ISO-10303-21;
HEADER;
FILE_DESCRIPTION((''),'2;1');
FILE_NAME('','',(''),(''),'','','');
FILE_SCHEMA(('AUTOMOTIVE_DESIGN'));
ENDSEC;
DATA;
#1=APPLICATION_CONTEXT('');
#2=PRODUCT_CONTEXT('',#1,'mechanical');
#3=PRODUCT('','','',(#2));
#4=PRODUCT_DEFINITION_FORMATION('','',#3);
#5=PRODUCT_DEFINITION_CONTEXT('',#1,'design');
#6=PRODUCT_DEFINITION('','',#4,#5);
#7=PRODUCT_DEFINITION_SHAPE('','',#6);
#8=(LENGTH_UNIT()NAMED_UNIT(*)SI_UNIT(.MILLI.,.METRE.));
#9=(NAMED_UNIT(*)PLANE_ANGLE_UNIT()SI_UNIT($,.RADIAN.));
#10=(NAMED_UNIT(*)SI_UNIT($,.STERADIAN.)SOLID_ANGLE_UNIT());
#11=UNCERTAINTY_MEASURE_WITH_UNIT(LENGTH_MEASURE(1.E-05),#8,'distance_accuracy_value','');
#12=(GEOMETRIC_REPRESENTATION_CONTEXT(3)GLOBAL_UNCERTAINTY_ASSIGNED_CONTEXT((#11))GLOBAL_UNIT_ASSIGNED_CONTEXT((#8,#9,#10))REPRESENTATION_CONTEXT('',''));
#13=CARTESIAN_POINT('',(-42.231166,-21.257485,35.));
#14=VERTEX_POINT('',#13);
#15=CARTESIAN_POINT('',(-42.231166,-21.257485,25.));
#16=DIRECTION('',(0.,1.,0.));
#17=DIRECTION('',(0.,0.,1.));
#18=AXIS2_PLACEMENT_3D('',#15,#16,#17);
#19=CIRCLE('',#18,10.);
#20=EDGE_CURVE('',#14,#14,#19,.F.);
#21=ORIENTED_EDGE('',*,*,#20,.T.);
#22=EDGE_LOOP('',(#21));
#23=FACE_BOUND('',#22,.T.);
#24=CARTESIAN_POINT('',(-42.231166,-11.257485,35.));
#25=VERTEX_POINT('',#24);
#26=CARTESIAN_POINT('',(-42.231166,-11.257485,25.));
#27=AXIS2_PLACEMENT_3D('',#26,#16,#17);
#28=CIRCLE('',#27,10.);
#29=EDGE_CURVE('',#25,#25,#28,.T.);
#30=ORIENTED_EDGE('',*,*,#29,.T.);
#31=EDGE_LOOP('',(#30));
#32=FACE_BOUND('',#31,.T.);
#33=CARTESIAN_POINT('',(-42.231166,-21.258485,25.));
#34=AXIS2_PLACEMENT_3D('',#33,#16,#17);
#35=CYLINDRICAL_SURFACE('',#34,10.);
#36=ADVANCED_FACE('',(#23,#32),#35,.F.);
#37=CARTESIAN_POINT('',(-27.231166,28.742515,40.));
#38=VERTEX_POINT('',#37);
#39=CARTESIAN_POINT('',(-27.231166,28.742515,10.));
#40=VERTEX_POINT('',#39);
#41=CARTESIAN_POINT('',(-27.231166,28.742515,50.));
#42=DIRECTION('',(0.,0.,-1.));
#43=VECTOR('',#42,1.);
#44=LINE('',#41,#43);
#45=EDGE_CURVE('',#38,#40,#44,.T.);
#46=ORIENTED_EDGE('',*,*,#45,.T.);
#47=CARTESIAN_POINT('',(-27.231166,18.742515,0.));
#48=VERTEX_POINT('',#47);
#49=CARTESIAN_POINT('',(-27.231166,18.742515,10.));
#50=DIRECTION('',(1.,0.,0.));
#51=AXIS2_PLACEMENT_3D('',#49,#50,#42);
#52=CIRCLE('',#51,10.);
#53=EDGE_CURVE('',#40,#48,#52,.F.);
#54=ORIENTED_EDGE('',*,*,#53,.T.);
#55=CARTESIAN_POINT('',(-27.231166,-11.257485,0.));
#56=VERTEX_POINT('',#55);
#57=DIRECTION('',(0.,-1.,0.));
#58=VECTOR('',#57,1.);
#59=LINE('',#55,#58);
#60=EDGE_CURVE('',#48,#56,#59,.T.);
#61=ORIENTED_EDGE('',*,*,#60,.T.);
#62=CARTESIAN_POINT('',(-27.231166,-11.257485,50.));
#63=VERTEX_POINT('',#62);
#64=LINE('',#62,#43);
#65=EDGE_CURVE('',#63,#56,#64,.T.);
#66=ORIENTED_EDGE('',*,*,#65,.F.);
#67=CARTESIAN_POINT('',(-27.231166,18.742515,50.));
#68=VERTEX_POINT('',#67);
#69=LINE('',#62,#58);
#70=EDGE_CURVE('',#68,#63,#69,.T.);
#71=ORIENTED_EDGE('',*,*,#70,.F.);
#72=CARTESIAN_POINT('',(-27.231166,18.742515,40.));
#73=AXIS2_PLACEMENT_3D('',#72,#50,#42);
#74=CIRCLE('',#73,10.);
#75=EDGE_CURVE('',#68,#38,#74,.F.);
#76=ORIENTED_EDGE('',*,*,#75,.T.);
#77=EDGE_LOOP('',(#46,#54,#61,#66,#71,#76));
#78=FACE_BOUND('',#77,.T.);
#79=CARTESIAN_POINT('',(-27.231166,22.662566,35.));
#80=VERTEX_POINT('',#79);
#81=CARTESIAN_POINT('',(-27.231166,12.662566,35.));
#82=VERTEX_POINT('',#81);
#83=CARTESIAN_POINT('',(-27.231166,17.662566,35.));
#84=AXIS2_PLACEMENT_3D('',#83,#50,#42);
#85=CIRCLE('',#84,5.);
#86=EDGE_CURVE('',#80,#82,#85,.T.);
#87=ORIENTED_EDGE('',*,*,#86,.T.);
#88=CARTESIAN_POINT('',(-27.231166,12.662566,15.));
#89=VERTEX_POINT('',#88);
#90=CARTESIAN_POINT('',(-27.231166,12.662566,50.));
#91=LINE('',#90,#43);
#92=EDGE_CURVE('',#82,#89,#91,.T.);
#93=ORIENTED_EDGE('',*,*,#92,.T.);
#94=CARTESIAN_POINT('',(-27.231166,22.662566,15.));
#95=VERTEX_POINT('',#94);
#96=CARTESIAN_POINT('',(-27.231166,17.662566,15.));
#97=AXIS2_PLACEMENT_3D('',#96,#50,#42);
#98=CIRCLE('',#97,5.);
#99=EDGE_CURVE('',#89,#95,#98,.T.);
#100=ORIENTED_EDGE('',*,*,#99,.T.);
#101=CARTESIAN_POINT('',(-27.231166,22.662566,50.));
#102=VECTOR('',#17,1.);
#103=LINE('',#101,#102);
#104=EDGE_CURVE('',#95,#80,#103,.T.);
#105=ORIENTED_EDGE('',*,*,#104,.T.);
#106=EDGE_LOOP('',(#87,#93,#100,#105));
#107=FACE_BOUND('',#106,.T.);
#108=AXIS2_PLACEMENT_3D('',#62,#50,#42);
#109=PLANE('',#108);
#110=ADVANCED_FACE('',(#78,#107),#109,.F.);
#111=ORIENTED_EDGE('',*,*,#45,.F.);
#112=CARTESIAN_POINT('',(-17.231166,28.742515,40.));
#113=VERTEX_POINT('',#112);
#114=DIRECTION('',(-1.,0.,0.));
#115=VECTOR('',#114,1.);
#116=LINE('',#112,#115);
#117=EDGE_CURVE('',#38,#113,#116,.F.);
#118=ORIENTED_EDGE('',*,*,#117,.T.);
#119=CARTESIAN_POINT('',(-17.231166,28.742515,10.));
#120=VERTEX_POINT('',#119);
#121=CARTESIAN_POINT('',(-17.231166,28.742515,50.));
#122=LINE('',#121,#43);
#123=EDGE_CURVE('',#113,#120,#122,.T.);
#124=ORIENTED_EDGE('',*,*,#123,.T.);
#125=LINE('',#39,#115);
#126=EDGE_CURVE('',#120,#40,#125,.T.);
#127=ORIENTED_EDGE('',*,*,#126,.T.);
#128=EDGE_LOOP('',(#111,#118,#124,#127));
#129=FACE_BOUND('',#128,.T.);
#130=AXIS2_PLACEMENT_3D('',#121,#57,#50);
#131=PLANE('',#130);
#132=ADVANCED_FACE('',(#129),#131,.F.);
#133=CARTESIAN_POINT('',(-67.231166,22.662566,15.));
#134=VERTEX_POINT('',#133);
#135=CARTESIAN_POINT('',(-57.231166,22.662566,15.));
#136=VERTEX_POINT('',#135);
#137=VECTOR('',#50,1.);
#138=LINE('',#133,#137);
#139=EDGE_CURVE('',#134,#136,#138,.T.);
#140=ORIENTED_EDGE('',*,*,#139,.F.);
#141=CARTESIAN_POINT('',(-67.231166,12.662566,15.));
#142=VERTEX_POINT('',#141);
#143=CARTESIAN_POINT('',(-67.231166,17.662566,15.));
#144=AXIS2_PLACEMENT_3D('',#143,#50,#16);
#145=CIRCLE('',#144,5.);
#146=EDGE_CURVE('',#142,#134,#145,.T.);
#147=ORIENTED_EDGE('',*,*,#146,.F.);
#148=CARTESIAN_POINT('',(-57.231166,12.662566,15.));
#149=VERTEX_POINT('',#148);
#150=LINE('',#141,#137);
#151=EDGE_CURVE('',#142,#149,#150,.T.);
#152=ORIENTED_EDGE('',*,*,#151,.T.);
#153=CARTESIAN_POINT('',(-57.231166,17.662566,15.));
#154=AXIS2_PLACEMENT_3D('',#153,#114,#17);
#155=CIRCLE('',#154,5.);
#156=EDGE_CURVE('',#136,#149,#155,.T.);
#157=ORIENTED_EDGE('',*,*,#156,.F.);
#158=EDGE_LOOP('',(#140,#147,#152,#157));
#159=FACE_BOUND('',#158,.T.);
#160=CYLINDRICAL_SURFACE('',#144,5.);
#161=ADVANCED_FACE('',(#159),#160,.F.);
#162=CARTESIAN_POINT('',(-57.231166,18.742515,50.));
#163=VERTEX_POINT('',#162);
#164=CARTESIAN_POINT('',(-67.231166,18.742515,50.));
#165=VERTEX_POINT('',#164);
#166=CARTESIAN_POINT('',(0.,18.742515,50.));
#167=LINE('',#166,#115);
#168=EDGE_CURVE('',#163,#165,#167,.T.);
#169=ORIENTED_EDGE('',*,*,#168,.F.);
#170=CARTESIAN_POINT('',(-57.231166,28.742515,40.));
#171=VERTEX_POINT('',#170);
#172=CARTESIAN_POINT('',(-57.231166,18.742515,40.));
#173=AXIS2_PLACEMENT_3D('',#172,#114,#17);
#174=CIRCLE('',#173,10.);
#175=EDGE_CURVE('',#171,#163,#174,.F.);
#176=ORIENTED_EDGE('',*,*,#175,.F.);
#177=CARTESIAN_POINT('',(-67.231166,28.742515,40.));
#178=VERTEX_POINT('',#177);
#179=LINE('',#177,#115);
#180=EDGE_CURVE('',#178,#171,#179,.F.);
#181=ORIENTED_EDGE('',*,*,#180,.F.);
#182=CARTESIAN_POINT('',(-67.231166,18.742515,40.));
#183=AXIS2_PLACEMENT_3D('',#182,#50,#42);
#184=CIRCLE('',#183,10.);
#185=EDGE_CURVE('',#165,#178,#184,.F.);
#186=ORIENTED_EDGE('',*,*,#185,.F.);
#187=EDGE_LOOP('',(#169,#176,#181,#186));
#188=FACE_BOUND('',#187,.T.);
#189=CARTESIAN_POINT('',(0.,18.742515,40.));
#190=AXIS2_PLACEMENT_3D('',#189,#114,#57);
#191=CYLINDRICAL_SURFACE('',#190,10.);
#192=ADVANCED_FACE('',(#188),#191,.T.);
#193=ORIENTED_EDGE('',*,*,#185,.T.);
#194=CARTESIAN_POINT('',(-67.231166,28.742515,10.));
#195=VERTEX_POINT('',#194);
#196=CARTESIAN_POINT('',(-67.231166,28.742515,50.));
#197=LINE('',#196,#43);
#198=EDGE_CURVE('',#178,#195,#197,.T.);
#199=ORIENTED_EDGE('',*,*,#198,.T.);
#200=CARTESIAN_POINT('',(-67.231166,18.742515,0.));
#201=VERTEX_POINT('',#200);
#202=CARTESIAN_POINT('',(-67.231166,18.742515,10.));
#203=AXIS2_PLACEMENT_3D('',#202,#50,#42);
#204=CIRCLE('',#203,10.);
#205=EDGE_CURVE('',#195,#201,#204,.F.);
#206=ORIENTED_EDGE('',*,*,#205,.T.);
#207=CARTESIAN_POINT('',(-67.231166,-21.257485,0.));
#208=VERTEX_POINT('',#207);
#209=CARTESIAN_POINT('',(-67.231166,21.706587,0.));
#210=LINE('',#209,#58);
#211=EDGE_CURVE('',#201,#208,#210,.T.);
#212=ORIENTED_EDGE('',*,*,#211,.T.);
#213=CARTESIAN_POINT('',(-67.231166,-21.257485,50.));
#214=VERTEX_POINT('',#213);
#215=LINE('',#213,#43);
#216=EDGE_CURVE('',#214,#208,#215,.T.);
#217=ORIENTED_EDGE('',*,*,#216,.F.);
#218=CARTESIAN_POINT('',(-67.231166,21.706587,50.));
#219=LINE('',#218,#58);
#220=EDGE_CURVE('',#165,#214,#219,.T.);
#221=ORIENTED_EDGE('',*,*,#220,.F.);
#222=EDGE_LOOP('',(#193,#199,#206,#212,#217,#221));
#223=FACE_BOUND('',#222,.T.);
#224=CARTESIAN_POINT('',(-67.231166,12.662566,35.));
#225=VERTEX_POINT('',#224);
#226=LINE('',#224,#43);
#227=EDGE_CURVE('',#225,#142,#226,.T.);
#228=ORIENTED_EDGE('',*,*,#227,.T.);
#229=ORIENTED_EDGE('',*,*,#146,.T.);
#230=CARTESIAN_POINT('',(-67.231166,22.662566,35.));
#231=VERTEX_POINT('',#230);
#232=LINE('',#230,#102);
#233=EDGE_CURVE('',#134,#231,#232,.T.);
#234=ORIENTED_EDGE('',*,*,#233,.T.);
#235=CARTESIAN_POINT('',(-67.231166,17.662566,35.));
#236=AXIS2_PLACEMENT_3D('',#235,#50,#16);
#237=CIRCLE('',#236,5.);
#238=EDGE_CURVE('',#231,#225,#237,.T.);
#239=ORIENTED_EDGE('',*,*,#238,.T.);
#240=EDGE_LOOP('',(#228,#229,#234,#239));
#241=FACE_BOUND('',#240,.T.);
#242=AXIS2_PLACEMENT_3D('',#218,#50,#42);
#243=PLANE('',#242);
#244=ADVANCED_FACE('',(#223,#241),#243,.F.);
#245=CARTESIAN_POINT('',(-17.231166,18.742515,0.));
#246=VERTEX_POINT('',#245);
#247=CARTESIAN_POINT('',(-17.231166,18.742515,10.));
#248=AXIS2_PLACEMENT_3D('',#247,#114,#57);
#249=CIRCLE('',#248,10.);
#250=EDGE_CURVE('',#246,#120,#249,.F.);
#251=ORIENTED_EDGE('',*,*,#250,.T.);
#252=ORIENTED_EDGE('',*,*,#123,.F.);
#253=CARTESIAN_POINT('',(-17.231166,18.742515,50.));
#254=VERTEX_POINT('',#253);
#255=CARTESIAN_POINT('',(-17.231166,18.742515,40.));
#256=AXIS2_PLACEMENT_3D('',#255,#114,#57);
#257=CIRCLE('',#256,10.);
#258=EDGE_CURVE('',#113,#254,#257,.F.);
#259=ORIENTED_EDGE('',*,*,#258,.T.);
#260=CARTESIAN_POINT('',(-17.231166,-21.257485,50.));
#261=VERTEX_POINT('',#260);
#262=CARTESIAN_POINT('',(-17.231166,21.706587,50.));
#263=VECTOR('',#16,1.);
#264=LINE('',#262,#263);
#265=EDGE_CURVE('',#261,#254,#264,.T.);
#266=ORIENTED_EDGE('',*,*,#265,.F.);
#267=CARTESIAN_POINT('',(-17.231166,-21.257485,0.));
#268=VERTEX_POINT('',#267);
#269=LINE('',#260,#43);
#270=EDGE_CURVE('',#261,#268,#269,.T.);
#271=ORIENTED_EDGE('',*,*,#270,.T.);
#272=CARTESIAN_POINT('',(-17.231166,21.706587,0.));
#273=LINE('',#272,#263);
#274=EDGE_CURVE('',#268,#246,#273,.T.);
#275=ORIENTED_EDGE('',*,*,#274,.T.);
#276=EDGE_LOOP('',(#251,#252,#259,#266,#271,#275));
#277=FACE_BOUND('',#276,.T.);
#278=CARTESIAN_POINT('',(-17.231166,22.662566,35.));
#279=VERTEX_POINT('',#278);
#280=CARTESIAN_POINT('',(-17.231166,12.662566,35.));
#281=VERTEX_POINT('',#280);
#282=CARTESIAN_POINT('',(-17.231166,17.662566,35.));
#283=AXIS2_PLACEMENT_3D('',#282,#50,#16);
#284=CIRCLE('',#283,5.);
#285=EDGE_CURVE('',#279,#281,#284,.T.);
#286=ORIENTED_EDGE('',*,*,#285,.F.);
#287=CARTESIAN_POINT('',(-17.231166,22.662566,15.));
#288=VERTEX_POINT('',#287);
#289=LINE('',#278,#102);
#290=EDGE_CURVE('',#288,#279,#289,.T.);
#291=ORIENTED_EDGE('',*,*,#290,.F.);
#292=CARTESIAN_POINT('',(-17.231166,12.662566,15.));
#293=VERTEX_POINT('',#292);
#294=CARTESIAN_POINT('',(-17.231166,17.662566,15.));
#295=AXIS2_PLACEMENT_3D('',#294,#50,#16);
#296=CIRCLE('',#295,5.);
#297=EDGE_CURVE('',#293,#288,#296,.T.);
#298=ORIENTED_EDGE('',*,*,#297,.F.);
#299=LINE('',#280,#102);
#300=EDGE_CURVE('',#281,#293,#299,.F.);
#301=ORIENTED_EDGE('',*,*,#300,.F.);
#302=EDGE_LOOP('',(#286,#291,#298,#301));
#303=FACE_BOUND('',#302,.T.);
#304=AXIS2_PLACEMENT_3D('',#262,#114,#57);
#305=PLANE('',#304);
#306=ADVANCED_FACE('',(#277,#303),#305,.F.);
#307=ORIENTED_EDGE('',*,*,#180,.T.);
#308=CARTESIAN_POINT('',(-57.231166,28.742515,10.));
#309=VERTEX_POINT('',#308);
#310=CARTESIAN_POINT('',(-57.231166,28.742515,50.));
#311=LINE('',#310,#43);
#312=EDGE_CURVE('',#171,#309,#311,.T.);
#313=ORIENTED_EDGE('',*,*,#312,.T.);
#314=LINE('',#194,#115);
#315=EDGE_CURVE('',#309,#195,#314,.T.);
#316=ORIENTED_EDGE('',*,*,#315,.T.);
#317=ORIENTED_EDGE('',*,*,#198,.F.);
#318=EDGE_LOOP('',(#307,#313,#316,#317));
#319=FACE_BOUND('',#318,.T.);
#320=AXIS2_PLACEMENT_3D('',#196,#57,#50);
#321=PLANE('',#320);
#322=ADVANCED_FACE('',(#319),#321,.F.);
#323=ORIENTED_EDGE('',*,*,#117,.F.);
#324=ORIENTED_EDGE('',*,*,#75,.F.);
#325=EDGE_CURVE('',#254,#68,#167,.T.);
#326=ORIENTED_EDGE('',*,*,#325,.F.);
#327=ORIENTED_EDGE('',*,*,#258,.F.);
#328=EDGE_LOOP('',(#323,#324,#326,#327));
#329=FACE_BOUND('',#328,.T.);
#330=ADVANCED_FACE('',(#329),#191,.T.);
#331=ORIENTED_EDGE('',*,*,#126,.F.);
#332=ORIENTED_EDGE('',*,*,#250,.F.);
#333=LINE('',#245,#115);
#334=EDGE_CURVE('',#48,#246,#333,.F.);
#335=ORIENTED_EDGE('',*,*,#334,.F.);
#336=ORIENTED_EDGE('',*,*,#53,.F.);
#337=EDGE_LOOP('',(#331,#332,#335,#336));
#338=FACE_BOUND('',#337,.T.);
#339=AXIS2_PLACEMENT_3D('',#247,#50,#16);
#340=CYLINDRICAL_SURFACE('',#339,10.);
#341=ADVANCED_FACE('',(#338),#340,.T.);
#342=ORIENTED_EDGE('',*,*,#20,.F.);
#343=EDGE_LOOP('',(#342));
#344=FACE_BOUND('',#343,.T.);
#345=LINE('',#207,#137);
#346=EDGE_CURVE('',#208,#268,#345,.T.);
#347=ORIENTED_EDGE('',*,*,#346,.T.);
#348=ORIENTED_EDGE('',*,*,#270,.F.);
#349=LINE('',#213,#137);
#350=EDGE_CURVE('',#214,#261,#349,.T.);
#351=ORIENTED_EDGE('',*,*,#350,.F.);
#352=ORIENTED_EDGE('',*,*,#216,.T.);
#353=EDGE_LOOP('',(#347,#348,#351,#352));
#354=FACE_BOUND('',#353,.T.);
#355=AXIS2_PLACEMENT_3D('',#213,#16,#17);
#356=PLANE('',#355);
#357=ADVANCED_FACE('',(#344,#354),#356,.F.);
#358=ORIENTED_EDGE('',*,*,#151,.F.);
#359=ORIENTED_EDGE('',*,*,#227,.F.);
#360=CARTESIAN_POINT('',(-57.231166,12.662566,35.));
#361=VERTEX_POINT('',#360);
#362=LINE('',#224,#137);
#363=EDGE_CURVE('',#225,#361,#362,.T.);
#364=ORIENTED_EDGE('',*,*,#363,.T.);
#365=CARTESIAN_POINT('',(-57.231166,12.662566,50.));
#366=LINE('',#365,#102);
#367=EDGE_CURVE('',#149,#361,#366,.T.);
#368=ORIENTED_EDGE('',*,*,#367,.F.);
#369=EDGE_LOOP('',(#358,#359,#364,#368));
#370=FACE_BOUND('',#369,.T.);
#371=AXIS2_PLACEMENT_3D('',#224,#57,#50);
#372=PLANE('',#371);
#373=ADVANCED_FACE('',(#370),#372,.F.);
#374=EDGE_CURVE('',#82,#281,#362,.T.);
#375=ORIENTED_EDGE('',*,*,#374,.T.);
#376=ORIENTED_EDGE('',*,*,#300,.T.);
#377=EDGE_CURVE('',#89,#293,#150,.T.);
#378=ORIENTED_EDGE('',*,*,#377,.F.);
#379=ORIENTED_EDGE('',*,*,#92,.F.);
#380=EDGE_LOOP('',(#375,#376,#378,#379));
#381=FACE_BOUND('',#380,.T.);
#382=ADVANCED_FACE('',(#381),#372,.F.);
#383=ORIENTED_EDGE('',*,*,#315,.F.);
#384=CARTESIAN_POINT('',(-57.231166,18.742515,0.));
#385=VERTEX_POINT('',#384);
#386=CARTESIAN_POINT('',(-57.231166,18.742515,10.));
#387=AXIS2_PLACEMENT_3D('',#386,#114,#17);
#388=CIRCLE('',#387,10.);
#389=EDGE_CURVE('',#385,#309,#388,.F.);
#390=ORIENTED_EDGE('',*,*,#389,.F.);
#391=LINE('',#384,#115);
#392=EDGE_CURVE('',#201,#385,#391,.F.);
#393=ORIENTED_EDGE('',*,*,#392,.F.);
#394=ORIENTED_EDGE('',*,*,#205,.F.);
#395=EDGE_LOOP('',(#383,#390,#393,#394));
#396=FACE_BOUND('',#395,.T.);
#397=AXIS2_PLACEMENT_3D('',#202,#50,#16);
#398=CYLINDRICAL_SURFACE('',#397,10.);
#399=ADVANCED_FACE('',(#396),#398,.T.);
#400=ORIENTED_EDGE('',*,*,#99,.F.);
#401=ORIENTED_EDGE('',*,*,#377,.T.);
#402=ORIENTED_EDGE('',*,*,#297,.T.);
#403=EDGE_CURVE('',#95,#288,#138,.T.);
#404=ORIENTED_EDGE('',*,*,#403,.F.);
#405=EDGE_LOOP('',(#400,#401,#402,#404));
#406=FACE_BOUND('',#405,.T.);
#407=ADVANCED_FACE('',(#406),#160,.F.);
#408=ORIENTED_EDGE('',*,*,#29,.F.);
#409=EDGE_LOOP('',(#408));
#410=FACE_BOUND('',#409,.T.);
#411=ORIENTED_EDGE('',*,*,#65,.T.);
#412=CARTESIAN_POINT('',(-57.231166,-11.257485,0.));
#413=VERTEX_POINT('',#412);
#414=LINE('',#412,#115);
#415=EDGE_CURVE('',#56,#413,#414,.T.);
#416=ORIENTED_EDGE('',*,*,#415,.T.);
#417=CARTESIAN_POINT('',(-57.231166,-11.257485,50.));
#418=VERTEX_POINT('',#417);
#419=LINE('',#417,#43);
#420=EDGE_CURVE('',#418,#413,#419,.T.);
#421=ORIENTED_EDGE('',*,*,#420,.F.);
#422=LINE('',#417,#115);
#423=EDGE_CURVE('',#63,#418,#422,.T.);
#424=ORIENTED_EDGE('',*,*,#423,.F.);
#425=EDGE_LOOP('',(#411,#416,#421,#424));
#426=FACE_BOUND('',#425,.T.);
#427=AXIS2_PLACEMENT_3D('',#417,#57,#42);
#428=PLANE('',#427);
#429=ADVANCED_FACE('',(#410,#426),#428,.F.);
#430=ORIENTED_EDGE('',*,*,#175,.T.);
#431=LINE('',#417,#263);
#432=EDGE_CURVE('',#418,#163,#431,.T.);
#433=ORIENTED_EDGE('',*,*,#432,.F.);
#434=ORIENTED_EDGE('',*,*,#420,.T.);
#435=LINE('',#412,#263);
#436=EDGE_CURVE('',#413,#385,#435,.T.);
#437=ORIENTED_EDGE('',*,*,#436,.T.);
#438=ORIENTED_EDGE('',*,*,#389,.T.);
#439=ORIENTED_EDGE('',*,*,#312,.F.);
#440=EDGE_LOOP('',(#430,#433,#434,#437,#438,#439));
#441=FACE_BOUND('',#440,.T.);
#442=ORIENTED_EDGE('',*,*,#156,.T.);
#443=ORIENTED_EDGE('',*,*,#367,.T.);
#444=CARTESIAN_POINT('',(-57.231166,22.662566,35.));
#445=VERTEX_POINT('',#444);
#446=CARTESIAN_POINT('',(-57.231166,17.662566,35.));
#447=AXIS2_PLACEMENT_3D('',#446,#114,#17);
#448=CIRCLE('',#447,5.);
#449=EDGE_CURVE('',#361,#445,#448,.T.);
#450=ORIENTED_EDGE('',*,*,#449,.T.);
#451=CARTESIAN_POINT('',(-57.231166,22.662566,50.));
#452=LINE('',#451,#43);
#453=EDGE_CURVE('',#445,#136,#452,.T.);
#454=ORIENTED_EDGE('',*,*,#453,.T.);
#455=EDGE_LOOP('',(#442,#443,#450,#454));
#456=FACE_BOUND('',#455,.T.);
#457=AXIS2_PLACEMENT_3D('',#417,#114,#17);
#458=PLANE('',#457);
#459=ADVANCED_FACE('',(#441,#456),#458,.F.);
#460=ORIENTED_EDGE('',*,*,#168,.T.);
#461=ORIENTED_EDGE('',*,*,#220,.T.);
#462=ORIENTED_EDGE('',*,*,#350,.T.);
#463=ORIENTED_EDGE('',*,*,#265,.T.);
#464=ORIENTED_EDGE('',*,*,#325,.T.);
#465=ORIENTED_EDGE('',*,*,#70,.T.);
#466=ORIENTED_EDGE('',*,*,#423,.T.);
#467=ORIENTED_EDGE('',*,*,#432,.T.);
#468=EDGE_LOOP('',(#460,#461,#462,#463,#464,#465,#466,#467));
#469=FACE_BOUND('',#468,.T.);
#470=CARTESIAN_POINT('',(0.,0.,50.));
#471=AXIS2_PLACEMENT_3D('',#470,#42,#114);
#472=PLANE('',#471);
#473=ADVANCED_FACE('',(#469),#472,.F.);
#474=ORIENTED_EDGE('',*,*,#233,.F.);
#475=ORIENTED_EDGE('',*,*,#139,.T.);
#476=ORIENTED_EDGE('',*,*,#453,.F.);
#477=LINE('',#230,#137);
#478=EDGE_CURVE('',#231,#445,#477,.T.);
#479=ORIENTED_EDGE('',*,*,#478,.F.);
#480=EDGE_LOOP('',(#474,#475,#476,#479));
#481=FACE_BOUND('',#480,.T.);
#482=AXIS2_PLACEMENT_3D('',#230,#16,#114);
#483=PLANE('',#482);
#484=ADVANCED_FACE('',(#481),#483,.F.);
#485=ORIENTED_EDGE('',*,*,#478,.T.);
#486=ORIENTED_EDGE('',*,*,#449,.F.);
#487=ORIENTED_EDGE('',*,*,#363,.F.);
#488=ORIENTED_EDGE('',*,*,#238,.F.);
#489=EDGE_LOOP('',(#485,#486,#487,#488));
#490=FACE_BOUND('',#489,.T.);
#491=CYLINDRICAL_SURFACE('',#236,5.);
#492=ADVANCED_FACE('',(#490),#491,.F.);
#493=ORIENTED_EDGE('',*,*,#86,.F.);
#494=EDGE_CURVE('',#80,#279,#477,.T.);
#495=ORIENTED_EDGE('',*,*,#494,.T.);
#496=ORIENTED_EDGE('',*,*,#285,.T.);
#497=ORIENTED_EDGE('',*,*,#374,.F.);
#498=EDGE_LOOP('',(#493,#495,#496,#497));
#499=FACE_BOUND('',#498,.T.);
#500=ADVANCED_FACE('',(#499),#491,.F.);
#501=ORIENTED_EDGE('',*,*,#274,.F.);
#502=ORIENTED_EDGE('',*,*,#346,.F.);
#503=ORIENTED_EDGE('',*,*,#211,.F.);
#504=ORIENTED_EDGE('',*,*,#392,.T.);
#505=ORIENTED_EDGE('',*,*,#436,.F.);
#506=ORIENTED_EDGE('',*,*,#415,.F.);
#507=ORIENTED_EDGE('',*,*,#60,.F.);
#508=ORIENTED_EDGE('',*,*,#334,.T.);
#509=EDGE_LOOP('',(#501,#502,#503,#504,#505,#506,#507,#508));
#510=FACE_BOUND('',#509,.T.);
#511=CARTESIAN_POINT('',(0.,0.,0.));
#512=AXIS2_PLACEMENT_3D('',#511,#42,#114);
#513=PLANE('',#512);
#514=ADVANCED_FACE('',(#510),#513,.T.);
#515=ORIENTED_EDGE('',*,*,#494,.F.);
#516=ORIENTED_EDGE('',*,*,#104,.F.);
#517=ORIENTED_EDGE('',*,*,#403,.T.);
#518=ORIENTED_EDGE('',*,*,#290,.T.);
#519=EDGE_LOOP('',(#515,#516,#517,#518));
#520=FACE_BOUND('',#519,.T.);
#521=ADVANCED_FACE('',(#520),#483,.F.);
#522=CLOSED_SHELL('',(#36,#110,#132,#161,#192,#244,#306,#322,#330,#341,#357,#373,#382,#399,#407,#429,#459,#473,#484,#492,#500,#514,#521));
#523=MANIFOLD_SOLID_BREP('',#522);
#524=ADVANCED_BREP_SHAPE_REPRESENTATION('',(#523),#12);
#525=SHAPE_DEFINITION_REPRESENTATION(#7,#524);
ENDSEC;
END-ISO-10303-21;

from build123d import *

# Parameters (mm, degrees)
Y_KSEKLIK_EKSTR_ZYON1_DEPTH = 50
KES_EKSTR_ZYON1_REACH       = 94.844
IZIM2_R                     = 10
KES_EKSTR_ZYON2_DEPTH       = 77.329104323
KES_EKSTR_ZYON2_DEPTH_BACK  = 77.329104323
RADYUS1_R                   = 10
RADYUS2_R                   = 10


with BuildPart() as part:
    # Çizim1 → Yükseklik-Ekstrüzyon1 (new body)
    with BuildSketch(Plane.XY):
        Polygon((-57.23116586, -11.25748503), (-27.23116586, -11.25748503), (-27.23116586, 28.74251497), (-17.23116586, 28.74251497), (-17.23116586, 21.706586826), (-17.23116586, -21.25748503), (-67.23116586, -21.25748503), (-67.23116586, 21.706586826), (-67.23116586, 28.74251497), (-57.23116586, 28.74251497), align=None)
    extrude(amount=Y_KSEKLIK_EKSTR_ZYON1_DEPTH)

    # Çizim2 → Kes-Ekstrüzyon1 (cut, up to next)
    with BuildSketch(Plane(origin=(0, -11.25748503, 0), x_dir=(1, 0, 0), z_dir=(0, 1, 0)), mode=Mode.PRIVATE) as kes_ekstr_zyon1_sk1:
        with Locations(Location((-42.23116586, -25, 0), (0, 0, 270))):
            Circle(IZIM2_R)
    kes_ekstr_zyon1_tool1 = extrude(kes_ekstr_zyon1_sk1.sketch, amount=-KES_EKSTR_ZYON1_REACH, mode=Mode.PRIVATE) & part.part
    add(kes_ekstr_zyon1_tool1.solids().sort_by_distance((-42.231166, -11.257485, 25))[0], mode=Mode.SUBTRACT)

    # Çizim3 → Kes-Ekstrüzyon2 (cut, two sides: drawn at the far end of the back side and taken through both)
    with BuildSketch(Plane(origin=(-17.23116586, 0, 0), x_dir=(0, 0, -1), z_dir=(1, 0, 0)).offset(-KES_EKSTR_ZYON2_DEPTH_BACK)):
        with BuildLine():
            Line((-35, 22.662565506), (-15, 22.662565506))
            ThreePointArc((-15, 22.662565506), (-10, 17.662565506), (-15, 12.662565506))
            Line((-15, 12.662565506), (-35, 12.662565506))
            ThreePointArc((-35, 12.662565506), (-40, 17.662565506), (-35, 22.662565506))
        make_face()
    extrude(amount=KES_EKSTR_ZYON2_DEPTH + KES_EKSTR_ZYON2_DEPTH_BACK, mode=Mode.SUBTRACT)

    # Radyus1
    radyus1_edges = [part.edges().sort_by_distance(p)[0] for p in [
        (-62.23116586, 28.74251497, 0),
        (-62.23116586, 28.74251497, 50),
    ]]
    fillet(radyus1_edges, radius=RADYUS1_R)

    # Radyus2
    radyus2_edges = [part.edges().sort_by_distance(p)[0] for p in [
        (-22.23116586, 28.74251497, 0),
        (-22.23116586, 28.74251497, 50),
    ]]
    fillet(radyus2_edges, radius=RADYUS2_R)


solid = part.part
